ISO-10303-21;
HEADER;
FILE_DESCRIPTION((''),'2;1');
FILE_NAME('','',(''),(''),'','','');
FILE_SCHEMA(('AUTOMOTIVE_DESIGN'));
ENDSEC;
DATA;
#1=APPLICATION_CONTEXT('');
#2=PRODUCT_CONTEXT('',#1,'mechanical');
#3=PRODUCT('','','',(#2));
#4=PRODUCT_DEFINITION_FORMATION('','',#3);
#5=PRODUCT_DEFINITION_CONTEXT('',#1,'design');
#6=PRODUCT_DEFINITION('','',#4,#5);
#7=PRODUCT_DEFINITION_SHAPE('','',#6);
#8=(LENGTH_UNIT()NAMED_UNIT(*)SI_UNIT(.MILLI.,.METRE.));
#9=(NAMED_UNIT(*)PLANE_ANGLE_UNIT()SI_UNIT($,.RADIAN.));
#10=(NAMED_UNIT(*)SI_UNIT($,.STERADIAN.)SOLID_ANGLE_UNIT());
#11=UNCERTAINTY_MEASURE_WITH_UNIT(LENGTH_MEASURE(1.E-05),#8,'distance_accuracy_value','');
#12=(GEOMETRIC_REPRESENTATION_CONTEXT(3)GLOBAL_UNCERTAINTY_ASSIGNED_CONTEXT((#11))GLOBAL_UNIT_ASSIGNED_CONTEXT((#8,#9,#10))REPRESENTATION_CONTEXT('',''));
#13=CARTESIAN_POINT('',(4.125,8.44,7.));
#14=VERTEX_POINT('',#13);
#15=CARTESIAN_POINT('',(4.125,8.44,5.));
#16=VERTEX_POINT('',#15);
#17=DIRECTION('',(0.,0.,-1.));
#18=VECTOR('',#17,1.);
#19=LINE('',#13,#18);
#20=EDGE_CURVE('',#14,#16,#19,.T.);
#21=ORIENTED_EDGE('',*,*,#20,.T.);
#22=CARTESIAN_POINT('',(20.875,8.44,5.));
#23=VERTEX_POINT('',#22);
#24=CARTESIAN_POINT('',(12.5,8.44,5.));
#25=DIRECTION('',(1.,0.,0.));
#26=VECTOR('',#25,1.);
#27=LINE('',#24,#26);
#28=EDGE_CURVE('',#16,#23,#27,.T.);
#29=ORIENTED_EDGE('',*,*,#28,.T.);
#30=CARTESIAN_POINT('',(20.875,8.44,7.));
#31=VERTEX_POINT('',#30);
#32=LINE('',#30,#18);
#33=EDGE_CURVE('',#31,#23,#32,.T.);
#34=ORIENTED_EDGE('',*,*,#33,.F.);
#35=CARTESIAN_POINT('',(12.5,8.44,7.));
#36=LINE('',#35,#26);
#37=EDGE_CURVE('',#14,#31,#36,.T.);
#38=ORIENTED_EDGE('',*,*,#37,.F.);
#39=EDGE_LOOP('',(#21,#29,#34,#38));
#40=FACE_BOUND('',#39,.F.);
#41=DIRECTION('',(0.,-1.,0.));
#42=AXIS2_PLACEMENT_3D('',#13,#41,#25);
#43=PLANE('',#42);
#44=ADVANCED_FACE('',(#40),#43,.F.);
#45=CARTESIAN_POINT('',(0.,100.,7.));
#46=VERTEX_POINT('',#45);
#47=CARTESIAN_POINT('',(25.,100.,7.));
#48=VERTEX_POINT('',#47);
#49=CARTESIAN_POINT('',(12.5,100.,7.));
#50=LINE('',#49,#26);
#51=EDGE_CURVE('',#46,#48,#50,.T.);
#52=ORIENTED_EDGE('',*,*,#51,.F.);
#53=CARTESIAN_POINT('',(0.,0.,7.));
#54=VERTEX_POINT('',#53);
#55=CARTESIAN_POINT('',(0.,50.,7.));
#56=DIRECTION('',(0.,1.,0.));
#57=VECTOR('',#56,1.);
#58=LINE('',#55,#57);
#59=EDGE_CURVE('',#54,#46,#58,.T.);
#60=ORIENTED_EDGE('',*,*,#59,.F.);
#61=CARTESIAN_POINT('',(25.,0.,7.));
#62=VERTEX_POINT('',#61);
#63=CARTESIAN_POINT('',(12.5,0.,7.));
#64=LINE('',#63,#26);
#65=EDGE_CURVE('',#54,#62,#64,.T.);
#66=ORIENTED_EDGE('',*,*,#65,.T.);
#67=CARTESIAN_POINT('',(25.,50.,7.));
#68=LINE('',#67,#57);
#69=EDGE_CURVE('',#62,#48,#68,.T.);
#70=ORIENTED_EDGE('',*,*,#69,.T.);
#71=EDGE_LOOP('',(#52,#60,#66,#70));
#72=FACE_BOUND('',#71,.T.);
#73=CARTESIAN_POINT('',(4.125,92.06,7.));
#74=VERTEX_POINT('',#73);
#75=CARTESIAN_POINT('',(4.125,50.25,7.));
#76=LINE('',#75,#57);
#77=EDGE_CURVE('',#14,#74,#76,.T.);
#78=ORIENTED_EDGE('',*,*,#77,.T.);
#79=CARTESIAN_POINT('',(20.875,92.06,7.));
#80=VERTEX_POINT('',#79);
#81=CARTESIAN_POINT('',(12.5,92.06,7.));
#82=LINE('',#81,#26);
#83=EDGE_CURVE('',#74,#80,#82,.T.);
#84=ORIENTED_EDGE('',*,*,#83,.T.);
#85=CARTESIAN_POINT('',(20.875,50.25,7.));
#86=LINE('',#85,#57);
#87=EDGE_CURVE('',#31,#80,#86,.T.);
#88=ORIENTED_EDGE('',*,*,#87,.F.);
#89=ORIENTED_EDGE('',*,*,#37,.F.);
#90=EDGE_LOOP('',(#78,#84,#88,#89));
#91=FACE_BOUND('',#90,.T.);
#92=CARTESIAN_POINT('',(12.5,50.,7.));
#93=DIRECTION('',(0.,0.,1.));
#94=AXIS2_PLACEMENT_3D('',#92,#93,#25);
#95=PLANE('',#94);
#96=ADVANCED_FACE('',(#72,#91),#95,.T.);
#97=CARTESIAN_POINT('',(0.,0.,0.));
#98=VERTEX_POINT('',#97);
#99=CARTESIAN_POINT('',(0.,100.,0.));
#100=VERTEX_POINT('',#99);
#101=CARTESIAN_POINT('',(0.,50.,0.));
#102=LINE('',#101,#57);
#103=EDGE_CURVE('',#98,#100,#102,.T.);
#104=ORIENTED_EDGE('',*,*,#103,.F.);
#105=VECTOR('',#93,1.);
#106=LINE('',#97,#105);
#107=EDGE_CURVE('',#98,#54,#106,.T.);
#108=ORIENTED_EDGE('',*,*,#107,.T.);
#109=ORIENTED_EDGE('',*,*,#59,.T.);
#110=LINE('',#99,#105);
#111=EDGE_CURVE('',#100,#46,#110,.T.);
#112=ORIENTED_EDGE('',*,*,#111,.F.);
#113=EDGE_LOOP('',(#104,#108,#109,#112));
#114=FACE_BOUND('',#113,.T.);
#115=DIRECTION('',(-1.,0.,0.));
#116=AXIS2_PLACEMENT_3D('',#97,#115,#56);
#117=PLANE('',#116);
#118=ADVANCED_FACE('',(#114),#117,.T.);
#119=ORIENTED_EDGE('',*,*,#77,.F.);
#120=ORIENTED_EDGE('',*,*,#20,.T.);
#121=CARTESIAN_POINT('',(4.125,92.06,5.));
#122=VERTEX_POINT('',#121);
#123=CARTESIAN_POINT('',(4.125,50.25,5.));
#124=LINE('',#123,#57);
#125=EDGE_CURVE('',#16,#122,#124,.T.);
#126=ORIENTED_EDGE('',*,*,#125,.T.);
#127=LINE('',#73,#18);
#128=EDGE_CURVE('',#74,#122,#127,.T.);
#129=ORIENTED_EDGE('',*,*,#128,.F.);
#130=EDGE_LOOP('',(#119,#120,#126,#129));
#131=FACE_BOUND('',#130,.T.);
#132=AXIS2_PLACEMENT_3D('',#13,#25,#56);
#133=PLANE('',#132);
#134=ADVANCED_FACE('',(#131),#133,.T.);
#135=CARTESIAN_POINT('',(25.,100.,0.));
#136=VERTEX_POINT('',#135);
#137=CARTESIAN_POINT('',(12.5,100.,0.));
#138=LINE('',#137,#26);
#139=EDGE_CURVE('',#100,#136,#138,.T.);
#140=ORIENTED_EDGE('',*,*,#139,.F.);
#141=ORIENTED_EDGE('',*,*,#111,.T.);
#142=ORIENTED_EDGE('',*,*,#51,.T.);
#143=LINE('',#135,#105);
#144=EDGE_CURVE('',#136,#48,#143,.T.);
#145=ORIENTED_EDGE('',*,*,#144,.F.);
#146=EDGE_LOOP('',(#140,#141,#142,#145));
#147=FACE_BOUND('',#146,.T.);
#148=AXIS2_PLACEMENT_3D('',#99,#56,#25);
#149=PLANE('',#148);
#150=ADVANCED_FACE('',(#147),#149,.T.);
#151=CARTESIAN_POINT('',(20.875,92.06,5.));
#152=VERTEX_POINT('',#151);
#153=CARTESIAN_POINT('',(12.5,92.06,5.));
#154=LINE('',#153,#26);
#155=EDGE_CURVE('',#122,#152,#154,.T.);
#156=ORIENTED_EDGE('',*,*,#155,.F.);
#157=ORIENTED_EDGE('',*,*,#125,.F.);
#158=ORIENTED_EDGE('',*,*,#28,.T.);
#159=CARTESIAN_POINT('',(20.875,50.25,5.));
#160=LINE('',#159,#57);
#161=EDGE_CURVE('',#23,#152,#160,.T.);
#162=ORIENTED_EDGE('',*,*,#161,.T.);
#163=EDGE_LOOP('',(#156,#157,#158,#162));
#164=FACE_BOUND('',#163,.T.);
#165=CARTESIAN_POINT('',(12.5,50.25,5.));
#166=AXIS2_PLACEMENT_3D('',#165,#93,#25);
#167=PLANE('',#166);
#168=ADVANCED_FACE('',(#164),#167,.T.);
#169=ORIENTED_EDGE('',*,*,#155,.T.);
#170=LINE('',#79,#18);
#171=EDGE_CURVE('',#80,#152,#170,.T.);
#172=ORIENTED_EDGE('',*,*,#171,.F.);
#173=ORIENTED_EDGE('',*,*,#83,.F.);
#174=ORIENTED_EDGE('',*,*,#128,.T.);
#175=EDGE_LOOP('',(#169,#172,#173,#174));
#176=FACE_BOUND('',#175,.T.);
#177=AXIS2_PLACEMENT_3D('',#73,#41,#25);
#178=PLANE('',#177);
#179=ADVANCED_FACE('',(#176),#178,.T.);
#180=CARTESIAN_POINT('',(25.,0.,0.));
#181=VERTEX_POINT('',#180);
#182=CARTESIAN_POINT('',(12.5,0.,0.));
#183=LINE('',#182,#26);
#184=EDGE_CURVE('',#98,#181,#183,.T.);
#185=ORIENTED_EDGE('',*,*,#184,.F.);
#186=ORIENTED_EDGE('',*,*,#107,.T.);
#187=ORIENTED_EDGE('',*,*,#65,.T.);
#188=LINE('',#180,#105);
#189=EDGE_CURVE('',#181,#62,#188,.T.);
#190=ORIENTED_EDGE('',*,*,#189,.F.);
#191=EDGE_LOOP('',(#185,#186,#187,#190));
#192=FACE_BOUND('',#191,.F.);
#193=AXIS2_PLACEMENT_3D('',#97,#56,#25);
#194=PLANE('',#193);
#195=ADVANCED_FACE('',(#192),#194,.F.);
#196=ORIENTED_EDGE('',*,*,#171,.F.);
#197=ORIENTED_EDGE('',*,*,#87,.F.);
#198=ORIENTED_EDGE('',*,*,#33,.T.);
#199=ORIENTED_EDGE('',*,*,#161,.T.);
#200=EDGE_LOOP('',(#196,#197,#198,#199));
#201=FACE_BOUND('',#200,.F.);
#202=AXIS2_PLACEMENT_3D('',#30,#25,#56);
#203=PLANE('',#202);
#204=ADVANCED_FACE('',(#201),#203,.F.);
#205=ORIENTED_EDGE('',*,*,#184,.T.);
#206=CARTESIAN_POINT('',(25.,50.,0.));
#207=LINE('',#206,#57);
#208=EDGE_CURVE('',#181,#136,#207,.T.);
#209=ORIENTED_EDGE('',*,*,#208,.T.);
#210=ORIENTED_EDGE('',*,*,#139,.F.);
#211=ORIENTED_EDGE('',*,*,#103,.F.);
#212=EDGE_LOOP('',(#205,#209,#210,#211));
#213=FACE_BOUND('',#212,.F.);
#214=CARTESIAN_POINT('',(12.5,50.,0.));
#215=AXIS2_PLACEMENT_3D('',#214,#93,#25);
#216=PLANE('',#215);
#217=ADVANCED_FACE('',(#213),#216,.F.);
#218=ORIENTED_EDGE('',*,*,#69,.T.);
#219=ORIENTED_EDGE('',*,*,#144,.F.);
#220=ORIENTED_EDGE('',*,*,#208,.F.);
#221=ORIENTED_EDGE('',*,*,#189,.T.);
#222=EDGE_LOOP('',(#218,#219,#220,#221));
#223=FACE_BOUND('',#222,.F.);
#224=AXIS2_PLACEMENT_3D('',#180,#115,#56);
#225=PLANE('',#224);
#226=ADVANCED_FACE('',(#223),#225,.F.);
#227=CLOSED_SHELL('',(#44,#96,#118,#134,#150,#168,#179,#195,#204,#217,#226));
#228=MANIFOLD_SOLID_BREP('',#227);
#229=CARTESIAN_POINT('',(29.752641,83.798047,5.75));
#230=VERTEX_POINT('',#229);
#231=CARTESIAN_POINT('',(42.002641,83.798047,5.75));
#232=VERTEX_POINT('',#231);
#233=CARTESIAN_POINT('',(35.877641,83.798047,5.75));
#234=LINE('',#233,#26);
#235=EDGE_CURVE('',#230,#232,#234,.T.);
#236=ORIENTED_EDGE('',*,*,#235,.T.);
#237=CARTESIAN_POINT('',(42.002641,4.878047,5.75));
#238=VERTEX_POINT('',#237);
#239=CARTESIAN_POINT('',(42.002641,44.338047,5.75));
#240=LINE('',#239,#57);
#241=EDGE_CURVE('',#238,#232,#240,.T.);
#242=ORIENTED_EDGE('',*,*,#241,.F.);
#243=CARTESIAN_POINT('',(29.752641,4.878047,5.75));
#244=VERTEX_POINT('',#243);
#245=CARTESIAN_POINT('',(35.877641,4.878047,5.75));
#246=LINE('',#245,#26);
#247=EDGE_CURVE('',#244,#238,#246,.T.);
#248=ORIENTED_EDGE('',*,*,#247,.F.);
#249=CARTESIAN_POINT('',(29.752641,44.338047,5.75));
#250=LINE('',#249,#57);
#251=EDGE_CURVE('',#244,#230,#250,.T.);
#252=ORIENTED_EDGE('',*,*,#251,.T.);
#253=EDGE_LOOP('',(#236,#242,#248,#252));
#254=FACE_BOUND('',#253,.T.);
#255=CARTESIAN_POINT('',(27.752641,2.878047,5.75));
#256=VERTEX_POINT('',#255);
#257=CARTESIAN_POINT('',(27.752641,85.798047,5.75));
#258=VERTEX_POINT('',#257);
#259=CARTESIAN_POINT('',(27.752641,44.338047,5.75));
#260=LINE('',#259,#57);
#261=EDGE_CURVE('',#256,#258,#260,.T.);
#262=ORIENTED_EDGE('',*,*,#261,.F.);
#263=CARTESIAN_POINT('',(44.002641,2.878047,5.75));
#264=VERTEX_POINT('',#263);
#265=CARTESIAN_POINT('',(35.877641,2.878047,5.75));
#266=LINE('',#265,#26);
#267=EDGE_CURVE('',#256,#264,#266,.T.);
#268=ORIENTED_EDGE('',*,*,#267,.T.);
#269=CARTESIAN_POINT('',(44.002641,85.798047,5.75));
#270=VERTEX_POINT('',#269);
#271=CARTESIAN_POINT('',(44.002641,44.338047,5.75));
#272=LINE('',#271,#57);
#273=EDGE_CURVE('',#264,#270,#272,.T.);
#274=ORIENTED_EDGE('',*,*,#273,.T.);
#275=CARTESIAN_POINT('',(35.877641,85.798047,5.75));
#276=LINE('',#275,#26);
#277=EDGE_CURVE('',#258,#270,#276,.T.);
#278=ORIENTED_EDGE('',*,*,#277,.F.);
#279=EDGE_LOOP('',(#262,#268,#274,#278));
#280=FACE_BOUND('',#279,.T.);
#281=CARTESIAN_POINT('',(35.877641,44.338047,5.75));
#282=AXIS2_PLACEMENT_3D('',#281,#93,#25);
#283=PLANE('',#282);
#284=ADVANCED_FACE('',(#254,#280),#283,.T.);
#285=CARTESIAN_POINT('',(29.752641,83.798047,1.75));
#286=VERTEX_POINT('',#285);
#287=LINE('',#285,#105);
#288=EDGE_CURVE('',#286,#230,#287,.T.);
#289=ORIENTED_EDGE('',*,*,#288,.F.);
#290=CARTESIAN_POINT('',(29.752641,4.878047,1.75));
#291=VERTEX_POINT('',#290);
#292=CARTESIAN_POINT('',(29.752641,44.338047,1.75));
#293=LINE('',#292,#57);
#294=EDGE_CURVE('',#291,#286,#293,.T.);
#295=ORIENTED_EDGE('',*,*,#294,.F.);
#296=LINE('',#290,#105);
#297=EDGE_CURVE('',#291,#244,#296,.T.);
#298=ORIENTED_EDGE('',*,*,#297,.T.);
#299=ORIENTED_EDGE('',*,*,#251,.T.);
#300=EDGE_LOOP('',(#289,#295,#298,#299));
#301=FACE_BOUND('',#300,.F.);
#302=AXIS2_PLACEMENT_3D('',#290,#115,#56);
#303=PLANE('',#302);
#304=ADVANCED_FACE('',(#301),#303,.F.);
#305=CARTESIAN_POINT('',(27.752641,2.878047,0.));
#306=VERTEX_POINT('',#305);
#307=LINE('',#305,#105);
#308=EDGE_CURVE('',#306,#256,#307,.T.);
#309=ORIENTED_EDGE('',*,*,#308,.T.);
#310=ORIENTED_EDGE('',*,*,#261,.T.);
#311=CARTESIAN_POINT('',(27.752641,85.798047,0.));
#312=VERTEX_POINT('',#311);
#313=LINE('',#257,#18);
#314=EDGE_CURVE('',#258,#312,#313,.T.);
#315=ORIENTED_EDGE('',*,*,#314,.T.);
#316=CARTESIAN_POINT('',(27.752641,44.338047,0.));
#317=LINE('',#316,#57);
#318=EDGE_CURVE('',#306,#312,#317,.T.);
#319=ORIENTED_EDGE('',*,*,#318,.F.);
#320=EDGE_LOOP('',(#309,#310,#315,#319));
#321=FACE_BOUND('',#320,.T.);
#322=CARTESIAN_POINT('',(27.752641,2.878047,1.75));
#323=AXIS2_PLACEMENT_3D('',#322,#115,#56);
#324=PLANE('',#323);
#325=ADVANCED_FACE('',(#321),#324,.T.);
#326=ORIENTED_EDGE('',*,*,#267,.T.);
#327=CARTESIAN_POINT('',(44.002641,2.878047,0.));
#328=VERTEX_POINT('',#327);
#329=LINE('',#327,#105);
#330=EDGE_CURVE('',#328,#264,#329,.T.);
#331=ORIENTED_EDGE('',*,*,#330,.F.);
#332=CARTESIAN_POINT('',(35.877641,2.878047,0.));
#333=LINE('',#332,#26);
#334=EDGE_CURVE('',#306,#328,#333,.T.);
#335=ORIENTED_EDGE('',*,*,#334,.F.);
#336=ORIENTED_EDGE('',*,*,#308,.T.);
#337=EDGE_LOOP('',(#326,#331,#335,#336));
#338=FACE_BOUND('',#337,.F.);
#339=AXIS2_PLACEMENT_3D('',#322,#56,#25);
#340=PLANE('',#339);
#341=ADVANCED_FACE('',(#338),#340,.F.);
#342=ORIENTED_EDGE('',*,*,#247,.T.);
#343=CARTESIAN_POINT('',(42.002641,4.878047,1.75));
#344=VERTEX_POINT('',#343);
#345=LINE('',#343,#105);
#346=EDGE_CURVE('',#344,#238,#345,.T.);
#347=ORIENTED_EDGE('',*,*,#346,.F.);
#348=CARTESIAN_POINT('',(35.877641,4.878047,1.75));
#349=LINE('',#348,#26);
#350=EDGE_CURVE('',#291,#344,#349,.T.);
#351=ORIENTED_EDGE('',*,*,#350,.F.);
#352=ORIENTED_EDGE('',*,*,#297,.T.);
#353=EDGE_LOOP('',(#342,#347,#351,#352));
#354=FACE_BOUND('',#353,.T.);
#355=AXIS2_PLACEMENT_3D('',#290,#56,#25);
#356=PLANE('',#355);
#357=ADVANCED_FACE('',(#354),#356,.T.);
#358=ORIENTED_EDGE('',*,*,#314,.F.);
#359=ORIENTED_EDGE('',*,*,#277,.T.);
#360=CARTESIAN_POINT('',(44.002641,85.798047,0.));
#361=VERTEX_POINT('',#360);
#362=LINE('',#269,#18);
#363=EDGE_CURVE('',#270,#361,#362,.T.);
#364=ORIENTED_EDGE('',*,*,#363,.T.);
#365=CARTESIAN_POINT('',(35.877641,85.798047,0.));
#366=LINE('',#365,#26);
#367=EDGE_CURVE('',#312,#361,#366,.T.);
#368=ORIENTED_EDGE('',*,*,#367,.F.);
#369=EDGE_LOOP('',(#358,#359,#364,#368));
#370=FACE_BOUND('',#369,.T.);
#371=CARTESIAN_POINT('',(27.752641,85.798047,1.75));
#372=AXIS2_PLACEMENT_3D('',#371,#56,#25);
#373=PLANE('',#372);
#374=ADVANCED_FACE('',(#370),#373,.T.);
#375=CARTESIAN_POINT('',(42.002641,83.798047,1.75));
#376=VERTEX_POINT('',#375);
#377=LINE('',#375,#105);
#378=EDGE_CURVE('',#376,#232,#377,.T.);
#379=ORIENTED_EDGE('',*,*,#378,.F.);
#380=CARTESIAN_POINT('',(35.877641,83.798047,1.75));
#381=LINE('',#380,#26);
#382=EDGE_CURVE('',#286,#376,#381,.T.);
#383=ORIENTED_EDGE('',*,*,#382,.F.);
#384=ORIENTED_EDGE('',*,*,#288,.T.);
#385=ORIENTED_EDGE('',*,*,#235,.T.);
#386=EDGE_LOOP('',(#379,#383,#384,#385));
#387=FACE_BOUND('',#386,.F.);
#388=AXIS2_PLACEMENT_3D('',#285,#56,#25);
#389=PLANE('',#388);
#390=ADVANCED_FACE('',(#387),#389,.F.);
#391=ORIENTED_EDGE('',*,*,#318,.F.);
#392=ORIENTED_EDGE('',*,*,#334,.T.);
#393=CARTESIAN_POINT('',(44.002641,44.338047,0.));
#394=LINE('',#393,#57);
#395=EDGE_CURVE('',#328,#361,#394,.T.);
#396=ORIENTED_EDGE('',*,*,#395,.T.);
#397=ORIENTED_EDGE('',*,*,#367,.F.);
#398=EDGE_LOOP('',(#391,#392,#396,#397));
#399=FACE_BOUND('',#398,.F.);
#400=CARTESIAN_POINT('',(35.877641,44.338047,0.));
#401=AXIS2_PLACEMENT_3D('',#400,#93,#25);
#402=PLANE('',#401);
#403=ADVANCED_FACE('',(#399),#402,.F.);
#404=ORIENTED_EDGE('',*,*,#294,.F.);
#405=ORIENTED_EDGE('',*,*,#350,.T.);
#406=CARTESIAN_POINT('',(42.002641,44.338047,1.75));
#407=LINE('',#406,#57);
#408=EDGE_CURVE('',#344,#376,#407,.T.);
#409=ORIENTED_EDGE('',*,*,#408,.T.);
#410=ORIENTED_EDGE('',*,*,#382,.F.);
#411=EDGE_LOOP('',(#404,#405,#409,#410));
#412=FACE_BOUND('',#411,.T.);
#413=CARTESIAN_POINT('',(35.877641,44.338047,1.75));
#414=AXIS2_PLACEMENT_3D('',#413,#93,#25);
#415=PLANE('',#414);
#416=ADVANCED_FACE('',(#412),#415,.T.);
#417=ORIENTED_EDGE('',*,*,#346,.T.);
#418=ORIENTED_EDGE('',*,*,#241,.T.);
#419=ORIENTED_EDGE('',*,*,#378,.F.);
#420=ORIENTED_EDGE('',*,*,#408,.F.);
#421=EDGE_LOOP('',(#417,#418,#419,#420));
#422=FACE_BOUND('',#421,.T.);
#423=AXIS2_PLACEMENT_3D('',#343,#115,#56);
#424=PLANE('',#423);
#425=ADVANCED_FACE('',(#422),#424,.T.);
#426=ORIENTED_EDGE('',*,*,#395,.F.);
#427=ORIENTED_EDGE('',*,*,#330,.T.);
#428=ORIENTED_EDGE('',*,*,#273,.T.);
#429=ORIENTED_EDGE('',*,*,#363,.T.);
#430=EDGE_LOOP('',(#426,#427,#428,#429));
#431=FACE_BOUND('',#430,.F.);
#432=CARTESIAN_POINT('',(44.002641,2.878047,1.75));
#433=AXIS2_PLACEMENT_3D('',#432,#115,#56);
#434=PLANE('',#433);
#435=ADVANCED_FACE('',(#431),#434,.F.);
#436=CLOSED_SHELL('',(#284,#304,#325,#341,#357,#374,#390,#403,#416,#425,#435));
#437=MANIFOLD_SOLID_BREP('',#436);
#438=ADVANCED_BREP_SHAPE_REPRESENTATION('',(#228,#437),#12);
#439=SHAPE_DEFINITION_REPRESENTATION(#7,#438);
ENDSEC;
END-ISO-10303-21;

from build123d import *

# Parameters (mm, degrees)
F0_W     = 25
F0_H     = 100
F1_DEPTH = 7
F2_W     = 16.75
F2_H     = 83.62
F3_DEPTH = 2
F4_W     = 16.25
F4_H     = 82.92
F5_DEPTH = 1.75
F6_W     = 16.25
F6_H     = 82.92
F6_W_2   = 12.25
F6_H_2   = 78.92
F7_DEPTH = 4


with BuildPart() as f1:
    # F0 (on Top) → F1 (new body)
    with BuildSketch(Plane.XY):
        with Locations((12.5, 50)):
            Rectangle(F0_W, F0_H)
    extrude(amount=F1_DEPTH)

    # F2 (on face) → F3 (cut)
    with BuildSketch(Plane.XY.offset(7)):
        with Locations((12.5, 50.25)):
            Rectangle(F2_W, F2_H)
    extrude(amount=-F3_DEPTH, mode=Mode.SUBTRACT)


with BuildPart() as f5:
    # F4 (on Top) → F5 (new body)
    with BuildSketch(Plane.XY):
        with Locations((35.877641, 44.338047)):
            Rectangle(F4_W, F4_H)
    extrude(amount=F5_DEPTH)

    # F6 (on face) → F7 (join)
    with BuildSketch(Plane.XY.offset(1.75)):
        with Locations((35.877641, 44.338047)):
            Rectangle(F6_W, F6_H)
        with Locations((35.877641, 44.338047)):
            Rectangle(F6_W_2, F6_H_2, mode=Mode.SUBTRACT)
    extrude(amount=F7_DEPTH)


solid = Compound([f1.part, f5.part])
